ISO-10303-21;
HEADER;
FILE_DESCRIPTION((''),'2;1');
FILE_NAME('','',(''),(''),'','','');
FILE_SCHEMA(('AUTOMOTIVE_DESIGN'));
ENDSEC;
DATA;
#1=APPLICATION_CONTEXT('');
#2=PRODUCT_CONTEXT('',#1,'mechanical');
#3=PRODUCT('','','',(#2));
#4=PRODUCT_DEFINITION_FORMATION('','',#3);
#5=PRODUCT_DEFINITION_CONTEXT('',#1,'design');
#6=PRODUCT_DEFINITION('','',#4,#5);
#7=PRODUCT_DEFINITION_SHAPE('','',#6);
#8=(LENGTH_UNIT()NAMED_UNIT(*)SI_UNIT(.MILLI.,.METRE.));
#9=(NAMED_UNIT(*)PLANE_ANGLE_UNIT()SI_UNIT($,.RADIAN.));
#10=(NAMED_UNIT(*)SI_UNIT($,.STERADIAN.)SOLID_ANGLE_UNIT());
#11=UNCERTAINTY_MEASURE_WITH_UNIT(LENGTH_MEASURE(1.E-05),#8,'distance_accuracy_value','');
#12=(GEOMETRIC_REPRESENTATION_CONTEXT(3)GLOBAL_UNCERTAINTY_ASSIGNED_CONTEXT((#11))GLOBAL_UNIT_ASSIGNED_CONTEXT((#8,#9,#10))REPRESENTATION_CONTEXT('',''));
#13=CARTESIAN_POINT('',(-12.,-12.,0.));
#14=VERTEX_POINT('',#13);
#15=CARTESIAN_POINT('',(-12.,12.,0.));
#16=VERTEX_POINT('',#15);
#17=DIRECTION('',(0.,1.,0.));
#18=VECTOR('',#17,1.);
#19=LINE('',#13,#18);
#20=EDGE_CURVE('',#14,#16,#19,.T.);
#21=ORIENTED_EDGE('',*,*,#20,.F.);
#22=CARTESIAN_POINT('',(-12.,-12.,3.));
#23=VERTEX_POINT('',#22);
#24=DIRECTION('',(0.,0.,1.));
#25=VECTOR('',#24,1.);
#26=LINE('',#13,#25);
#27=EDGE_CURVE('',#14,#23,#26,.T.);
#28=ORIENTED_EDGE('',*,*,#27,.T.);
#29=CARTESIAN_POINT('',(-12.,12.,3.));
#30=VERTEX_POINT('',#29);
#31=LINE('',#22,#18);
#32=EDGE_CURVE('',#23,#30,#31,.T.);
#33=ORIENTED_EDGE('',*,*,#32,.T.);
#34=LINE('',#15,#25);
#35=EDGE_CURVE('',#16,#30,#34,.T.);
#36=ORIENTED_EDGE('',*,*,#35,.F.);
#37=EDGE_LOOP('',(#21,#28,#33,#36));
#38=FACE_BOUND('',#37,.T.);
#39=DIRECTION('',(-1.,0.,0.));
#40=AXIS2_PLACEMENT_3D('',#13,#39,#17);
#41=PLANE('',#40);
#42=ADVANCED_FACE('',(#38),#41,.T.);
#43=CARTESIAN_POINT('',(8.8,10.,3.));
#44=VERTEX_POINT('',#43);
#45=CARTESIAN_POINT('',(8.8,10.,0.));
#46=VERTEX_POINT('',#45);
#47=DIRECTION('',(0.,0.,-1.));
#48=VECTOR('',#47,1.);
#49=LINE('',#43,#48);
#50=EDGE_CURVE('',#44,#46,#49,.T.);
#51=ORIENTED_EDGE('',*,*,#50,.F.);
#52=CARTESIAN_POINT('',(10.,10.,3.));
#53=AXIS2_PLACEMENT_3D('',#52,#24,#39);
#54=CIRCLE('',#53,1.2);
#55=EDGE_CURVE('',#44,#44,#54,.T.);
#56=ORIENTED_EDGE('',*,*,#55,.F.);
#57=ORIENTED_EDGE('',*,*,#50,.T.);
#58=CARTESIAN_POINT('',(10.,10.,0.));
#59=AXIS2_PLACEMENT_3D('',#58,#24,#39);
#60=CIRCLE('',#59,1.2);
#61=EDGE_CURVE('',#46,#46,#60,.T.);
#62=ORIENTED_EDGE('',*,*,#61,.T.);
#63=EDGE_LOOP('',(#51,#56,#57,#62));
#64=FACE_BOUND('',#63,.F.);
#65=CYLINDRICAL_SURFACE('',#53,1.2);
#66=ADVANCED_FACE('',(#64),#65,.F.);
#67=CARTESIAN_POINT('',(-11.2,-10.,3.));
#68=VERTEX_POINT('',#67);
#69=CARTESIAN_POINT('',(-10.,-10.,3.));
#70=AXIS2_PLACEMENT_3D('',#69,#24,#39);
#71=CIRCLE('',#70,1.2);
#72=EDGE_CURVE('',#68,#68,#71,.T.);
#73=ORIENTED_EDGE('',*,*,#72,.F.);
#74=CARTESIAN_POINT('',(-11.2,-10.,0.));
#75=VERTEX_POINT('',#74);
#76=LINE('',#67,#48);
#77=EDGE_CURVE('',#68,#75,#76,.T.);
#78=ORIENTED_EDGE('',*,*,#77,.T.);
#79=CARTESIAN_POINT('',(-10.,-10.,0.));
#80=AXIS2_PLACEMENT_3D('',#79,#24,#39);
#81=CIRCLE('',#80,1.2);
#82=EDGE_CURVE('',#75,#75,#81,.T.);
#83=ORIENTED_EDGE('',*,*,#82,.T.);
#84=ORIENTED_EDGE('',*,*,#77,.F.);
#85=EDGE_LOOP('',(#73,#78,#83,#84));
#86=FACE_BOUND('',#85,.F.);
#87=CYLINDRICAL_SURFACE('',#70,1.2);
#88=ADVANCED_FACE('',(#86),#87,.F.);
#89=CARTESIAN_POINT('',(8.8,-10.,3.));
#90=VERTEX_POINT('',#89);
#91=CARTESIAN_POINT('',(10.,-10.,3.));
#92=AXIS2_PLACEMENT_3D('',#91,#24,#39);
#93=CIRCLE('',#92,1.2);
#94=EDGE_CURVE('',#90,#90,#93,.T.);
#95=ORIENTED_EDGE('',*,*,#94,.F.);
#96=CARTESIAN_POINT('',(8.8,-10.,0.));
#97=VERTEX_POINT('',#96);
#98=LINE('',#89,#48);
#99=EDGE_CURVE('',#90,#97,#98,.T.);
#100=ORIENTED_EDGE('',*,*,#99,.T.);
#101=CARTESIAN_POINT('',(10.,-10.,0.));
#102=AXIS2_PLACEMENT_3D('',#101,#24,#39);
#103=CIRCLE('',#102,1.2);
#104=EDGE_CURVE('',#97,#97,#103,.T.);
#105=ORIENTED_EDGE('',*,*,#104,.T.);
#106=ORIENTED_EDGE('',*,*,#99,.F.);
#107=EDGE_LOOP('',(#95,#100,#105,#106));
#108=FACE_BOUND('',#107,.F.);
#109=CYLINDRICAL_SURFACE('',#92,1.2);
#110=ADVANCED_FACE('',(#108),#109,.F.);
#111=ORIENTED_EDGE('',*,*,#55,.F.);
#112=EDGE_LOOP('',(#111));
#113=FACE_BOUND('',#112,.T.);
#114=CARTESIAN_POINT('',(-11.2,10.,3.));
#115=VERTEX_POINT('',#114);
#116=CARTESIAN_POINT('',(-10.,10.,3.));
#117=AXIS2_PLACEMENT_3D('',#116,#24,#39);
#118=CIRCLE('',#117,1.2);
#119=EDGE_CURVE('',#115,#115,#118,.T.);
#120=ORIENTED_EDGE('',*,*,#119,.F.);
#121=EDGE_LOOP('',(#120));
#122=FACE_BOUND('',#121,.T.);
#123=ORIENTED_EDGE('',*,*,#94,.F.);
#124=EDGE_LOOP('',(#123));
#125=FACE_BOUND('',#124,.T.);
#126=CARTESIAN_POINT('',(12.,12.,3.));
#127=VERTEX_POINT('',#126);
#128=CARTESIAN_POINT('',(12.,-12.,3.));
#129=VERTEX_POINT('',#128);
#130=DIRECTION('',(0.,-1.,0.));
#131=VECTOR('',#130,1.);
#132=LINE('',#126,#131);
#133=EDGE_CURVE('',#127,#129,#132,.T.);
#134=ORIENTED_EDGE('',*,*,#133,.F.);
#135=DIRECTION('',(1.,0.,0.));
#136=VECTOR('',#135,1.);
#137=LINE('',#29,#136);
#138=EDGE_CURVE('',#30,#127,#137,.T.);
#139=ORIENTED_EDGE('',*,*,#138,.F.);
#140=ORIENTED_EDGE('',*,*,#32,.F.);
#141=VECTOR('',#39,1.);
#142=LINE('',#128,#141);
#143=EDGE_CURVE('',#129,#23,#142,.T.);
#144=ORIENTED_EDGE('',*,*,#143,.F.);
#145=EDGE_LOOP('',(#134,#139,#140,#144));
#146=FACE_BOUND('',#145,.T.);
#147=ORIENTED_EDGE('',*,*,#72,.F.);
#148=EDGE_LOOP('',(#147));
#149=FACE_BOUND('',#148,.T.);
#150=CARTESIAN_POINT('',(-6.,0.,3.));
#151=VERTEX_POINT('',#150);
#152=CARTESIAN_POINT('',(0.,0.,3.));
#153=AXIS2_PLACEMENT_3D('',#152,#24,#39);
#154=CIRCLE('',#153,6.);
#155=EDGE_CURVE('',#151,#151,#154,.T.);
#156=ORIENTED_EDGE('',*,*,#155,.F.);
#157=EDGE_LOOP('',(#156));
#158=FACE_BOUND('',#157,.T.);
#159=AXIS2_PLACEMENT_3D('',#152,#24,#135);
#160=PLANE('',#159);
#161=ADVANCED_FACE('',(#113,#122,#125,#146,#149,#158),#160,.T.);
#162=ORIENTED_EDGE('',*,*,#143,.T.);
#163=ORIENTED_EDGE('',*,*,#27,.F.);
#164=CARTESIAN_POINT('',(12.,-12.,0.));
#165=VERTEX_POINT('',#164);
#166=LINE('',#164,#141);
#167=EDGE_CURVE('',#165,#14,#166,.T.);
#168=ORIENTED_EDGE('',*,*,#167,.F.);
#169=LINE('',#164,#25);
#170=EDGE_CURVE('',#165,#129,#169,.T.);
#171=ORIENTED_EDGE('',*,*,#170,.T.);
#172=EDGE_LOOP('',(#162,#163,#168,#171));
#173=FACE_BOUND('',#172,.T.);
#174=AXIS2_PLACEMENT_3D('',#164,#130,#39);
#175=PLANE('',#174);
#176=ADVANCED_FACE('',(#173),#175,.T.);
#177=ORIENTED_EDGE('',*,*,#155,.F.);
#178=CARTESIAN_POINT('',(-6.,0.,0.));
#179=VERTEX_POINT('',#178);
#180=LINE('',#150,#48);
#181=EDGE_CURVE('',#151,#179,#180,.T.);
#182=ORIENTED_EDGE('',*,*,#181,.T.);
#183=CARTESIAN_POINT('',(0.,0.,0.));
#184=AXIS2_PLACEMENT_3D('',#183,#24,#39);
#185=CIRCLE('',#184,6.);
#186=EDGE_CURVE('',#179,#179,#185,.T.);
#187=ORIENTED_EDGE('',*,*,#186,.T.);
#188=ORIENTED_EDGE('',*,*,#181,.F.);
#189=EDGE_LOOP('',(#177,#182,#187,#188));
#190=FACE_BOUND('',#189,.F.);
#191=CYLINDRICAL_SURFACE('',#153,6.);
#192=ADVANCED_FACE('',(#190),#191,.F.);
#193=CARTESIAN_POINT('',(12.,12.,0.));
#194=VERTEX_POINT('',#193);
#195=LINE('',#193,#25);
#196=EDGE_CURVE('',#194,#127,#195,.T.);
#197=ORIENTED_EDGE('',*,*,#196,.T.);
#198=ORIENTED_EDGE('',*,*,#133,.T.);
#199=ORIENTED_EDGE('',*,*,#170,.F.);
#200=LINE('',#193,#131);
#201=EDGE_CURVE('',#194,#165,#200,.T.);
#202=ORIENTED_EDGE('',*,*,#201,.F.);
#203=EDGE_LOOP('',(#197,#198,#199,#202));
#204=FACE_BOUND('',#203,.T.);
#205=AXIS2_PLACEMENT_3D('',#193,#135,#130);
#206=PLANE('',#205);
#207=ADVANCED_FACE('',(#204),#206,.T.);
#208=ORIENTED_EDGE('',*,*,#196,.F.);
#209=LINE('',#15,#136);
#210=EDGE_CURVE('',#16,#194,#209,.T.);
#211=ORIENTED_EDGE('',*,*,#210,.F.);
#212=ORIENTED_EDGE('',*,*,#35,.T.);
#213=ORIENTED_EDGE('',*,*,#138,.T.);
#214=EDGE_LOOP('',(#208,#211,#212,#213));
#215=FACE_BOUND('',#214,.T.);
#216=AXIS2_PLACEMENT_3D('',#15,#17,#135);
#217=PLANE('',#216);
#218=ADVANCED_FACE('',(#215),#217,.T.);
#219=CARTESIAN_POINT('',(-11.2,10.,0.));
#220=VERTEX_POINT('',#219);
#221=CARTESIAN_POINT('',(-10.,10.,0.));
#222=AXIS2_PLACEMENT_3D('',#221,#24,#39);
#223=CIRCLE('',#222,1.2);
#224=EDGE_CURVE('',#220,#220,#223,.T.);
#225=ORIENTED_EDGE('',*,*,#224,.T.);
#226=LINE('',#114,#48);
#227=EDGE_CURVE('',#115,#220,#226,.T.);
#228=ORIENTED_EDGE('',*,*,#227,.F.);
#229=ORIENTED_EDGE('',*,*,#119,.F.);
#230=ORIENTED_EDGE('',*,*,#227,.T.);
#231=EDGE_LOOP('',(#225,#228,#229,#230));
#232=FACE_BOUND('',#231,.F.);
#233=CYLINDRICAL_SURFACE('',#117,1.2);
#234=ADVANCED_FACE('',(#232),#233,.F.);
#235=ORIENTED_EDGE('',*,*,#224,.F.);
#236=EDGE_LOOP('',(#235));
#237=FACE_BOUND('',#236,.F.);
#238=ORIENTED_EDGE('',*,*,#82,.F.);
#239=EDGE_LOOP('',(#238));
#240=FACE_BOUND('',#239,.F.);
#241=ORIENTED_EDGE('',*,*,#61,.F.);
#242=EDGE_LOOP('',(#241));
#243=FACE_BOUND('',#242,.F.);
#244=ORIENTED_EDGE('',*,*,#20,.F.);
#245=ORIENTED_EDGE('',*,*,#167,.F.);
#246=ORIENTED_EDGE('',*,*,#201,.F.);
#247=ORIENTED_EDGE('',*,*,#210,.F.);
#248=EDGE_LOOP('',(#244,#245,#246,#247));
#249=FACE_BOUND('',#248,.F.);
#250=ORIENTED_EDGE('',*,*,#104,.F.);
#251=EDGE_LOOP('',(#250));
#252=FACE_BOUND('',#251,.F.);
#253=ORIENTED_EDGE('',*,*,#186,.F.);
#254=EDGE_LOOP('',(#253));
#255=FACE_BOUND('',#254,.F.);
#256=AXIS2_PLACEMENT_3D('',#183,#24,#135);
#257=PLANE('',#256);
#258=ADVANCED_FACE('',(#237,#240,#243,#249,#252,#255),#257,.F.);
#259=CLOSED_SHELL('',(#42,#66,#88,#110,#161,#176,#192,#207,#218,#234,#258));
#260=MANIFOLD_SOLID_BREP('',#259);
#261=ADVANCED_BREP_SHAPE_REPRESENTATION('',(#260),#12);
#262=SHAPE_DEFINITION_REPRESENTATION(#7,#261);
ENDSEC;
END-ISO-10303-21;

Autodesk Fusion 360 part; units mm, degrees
sketch "Sketch1" plane through (0, 0, 0) normal (0, 0, 1) x (1, 0, 0)
  line L0 (12, -12) -> (-12, -12)
  line L1 (-12, -12) -> (-12, 12)
  line L2 (-12, 12) -> (12, 12)
  line L3 (12, 12) -> (12, -12)
  line L4 (12, -12) -> (-12, 12) construction
  line L5 (-12, -12) -> (12, 12) construction
  dimension "d1" = 24
  dimension "d2" = 24
extrude "Extrude1" add sketch "Sketch1" along normal blind 3
sketch "Sketch2" plane through (0, 0, 3) normal (0, 0, 1) x (-1, 0, 0)
  line L0 (-12, -12) -> (12, -12)
  line L1 (12, -12) -> (12, 12)
  line L2 (12, 12) -> (-12, 12)
  line L3 (-12, 12) -> (-12, -12)
  circle A0 centre (10, -10) radius 1.1
  circle A1 centre (-10, -10) radius 1.1
  circle A2 centre (10, 10) radius 1.1
  circle A3 centre (-10, 10) radius 1.1
  dimension "d5" = 2.2
  dimension "d6" = 2.2
  dimension "d7" = 2.2
  dimension "d8" = 2.2
  dimension "d9" = 10
  dimension "d10" = 10
  dimension "d11" = 10
  dimension "d12" = 10
  dimension "d13" = 10
  dimension "d14" = 10
  dimension "d15" = 10
  dimension "d16" = 10
extrude "Extrude2" cut sketch "Sketch2" against normal through all contours A0 | A1 | A2 | A3
sketch "Sketch3" plane through (0, 0, 3) normal (0, 0, 1) x (-1, 0, 0)
  circle A0 centre (10, -10) radius 1.1
  circle A1 centre (10, 10) radius 1.1
  circle A2 centre (-10, -10) radius 1.1
  circle A3 centre (-10, 10) radius 1.1
  line L0 (-12, -12) -> (12, -12)
  line L1 (12, -12) -> (12, 12)
  line L2 (12, 12) -> (-12, 12)
  line L3 (-12, 12) -> (-12, -12)
  circle A4 centre (0, 0) radius 6
  dimension "d18" = 12
extrude "Extrude3" cut sketch "Sketch3" against normal blind 6 contours A4
sketch "Sketch4" plane through (0, 0, 3) normal (0, 0, 1) x (-1, 0, 0)
  circle A0 centre (0, 0) radius 6
  circle A1 centre (10, -10) radius 1.1
  circle A2 centre (10, 10) radius 1.1
  circle A3 centre (-10, -10) radius 1.1
  circle A4 centre (-10, 10) radius 1.1
  line L0 (-12, -12) -> (12, -12)
  line L1 (12, -12) -> (12, 12)
  line L2 (12, 12) -> (-12, 12)
  line L3 (-12, 12) -> (-12, -12)
  circle A5 centre (10, -10) radius 1.2
  circle A6 centre (-10, -10) radius 1.2
  circle A7 centre (10, 10) radius 1.2
  circle A8 centre (-10, 10) radius 1.2
  dimension "d21" = 2.4
  dimension "d22" = 2.4
  dimension "d23" = 2.4
  dimension "d24" = 2.4
extrude "Extrude4" cut sketch "Sketch4" against normal blind 5 contours A5 | A6 | A7 | A8
